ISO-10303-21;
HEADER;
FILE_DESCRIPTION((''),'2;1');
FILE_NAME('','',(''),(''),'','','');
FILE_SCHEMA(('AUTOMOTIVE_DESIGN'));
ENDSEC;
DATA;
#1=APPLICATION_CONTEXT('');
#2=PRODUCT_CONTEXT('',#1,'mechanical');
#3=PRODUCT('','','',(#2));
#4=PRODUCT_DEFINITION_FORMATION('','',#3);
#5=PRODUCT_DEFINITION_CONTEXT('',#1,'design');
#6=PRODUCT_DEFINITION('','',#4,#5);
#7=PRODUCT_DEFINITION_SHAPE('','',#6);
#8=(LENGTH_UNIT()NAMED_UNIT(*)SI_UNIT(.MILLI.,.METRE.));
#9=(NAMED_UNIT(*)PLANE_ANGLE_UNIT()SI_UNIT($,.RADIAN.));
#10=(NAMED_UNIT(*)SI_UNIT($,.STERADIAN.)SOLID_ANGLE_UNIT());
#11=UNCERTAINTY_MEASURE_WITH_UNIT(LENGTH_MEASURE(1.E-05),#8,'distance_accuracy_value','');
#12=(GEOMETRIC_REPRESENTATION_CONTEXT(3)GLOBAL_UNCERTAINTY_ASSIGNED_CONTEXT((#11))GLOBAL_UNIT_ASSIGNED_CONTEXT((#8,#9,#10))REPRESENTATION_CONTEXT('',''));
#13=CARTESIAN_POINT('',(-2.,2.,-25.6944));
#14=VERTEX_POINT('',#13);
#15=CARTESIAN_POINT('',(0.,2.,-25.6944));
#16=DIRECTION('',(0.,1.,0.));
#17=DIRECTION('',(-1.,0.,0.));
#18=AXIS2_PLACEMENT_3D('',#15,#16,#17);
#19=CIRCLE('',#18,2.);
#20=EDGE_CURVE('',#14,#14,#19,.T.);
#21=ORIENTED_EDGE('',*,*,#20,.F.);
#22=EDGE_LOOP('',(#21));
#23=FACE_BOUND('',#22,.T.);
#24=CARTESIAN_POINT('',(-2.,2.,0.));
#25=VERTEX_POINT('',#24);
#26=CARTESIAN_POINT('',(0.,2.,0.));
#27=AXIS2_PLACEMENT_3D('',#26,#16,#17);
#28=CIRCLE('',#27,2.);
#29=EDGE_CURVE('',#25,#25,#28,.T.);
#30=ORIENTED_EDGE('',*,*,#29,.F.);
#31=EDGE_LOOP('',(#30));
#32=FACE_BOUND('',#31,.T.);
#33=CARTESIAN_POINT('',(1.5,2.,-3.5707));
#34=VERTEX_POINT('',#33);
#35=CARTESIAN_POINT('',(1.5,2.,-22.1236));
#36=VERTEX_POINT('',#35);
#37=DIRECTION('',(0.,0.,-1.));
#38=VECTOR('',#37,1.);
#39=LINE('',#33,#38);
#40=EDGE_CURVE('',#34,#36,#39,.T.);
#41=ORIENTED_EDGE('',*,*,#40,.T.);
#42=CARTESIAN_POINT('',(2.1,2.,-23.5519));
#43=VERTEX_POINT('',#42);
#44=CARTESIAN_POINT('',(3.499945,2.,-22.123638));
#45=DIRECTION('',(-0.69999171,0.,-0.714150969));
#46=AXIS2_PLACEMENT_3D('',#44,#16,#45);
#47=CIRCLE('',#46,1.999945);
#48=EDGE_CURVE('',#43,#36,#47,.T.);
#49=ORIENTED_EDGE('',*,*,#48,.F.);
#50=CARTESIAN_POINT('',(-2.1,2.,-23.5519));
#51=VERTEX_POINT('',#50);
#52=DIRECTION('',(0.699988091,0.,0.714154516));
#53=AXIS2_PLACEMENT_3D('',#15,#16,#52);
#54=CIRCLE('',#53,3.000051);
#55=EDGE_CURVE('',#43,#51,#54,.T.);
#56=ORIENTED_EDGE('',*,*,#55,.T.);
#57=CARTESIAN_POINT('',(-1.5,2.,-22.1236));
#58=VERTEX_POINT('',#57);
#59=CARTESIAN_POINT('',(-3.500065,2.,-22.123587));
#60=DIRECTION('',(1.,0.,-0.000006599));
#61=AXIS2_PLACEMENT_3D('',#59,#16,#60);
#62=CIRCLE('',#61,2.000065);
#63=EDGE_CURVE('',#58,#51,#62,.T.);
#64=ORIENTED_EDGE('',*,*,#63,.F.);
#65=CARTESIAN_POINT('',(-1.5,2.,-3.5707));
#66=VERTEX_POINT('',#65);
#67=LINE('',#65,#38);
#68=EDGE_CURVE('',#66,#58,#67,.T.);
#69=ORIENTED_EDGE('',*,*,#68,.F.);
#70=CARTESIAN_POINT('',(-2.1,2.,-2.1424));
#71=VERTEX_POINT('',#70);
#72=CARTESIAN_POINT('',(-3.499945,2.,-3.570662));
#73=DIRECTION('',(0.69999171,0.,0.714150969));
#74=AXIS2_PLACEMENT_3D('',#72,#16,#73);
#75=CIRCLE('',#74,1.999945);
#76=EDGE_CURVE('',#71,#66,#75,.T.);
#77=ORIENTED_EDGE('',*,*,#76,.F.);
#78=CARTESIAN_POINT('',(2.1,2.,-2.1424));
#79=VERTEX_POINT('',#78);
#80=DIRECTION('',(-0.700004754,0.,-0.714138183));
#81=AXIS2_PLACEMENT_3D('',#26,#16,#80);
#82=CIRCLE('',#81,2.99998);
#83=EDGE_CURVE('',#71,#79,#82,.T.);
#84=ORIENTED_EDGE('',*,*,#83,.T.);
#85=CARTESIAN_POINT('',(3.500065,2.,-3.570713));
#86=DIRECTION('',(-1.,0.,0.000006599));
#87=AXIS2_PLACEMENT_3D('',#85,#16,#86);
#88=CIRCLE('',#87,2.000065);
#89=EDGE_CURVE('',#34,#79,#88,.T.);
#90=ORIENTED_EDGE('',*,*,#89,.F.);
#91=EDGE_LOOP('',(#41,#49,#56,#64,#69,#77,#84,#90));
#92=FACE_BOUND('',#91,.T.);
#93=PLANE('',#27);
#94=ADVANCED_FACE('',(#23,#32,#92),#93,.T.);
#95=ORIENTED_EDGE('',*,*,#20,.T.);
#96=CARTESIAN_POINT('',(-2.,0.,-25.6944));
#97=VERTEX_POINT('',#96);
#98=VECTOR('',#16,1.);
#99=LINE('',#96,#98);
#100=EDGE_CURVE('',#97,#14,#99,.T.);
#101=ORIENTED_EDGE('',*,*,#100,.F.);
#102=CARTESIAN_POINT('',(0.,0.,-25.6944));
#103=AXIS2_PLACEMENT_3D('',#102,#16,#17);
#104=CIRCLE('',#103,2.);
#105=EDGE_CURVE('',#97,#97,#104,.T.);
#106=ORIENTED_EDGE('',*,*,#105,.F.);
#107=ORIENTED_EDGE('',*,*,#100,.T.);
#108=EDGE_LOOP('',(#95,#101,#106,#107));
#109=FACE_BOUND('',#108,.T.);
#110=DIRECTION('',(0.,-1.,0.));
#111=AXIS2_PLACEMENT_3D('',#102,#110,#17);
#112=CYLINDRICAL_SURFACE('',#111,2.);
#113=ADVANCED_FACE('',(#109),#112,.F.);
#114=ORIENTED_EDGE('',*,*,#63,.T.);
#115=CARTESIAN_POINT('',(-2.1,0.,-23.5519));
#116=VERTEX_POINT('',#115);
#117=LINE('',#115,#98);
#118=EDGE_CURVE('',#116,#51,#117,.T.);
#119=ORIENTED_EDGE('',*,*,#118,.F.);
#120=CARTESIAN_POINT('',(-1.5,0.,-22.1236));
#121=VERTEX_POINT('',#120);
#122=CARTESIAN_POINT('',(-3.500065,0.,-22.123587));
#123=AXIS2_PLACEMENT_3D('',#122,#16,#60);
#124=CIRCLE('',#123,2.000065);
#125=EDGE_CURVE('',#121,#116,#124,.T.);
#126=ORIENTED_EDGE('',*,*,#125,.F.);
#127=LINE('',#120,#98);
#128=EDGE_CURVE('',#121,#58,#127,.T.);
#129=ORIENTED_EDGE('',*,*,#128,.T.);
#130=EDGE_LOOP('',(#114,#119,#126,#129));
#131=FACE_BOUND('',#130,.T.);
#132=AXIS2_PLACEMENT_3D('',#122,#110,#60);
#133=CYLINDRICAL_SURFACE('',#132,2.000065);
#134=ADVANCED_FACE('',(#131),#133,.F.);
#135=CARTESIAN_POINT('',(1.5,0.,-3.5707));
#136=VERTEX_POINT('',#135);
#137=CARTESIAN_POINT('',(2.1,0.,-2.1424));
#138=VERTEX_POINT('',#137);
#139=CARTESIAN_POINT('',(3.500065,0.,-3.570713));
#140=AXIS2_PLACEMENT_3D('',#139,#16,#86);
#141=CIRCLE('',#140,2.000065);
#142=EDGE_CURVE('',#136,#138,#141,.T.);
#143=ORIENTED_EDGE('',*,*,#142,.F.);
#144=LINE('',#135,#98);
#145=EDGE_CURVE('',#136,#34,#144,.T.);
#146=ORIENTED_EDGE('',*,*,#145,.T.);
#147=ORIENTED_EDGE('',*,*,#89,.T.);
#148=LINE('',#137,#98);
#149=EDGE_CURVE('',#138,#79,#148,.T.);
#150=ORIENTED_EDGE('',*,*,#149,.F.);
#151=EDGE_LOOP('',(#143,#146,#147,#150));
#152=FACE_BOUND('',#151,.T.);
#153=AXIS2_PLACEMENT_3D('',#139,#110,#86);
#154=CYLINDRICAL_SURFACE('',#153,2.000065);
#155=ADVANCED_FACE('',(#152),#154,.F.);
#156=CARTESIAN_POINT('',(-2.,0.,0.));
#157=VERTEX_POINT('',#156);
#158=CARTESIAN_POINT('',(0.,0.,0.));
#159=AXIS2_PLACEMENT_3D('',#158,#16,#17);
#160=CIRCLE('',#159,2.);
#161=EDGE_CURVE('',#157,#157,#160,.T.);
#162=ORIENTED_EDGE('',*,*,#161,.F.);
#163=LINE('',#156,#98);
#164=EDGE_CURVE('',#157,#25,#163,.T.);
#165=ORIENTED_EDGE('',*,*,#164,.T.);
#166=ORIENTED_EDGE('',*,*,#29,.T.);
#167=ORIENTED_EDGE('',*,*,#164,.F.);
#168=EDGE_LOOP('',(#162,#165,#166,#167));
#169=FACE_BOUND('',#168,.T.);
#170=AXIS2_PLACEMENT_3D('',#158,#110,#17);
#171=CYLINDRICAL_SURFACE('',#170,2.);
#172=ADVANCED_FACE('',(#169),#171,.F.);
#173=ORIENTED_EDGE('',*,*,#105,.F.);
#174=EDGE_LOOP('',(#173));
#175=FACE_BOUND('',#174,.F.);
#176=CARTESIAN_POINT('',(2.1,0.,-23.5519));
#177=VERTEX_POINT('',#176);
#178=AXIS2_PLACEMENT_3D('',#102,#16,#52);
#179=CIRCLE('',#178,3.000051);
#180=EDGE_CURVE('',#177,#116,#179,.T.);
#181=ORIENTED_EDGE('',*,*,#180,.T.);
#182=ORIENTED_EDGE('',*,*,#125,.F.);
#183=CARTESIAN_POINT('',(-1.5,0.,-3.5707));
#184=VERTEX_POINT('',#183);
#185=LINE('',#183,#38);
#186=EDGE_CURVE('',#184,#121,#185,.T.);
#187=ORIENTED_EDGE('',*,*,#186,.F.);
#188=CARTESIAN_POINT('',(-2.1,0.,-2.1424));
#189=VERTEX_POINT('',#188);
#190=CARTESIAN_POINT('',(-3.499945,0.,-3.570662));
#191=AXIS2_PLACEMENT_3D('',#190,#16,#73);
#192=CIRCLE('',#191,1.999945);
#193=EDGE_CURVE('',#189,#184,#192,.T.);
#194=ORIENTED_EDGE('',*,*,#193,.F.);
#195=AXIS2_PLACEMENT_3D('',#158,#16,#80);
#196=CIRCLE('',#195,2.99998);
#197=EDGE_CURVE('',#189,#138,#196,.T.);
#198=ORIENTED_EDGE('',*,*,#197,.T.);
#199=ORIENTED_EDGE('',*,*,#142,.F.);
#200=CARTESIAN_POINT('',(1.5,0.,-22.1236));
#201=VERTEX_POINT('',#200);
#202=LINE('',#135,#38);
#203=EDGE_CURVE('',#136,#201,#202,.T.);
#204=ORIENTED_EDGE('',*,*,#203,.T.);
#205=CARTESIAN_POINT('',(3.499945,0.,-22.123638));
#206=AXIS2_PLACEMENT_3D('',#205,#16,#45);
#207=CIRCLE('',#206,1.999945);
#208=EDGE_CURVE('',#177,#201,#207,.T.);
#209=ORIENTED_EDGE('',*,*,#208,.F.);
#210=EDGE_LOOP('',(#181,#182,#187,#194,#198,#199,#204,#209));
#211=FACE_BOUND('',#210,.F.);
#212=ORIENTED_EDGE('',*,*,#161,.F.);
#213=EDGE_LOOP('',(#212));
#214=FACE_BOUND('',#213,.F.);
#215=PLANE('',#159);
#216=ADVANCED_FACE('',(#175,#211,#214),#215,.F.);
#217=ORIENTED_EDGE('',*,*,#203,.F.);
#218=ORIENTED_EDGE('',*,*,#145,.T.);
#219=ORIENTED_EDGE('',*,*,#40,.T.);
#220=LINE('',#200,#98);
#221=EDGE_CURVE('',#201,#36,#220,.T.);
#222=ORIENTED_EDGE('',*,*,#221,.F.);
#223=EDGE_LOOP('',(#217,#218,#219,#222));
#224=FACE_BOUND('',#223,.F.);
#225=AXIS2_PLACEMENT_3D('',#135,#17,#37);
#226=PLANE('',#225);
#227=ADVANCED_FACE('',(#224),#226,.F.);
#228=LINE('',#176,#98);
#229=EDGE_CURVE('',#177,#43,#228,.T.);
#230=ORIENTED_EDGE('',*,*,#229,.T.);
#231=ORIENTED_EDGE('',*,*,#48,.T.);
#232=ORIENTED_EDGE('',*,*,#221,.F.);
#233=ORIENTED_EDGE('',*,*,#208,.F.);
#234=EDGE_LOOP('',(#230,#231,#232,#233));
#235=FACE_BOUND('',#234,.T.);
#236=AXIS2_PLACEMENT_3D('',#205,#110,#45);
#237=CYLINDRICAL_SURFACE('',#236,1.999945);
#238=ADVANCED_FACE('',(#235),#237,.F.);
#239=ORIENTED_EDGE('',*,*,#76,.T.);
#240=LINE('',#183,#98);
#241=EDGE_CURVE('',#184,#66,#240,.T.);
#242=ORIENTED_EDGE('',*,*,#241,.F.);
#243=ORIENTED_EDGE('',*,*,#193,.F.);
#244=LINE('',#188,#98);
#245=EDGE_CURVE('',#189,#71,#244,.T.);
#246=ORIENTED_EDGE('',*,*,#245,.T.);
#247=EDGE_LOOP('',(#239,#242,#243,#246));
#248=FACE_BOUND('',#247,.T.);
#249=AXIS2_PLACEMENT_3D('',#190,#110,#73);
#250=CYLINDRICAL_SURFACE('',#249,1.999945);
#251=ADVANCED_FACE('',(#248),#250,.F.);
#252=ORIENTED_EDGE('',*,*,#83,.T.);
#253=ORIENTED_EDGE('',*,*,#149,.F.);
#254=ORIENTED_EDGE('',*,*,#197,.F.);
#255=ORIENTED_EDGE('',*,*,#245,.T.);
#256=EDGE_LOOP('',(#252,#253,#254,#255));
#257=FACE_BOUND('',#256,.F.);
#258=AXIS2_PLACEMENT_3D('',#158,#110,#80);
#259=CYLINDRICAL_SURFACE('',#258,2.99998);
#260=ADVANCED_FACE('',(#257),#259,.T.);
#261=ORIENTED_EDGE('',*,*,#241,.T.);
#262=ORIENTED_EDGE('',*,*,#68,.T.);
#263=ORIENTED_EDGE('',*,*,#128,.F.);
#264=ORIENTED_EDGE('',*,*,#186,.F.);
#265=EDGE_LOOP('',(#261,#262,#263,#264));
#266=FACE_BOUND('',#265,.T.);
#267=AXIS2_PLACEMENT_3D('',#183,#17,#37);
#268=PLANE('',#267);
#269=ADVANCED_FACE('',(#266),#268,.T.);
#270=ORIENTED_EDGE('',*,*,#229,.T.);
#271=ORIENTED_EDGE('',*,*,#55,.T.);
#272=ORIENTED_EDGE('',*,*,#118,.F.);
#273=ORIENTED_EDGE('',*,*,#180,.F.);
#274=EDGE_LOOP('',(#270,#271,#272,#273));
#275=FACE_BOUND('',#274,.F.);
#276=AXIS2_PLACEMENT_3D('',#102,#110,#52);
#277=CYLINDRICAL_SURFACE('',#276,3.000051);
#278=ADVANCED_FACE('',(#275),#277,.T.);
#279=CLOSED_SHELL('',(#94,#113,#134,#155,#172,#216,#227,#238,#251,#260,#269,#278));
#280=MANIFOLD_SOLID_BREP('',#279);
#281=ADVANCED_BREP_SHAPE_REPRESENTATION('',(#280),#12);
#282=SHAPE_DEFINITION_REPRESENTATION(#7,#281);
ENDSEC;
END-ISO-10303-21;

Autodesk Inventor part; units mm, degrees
ref_plane "YZ Plane" through (0, 0, 0) normal (1, 0, 0) x (0, 1, 0)
ref_plane "XZ Plane" through (0, 0, 0) normal (0, 1, 0) x (-1, 0, 0)
ref_plane "XY Plane" through (0, 0, 0) normal (0, 0, 1) x (1, 0, 0)
sketch "Sketch1" plane through (0, 0, 0) normal (0, 1, 0) x (-1, 0, 0)
  circle A0 centre (0, 0) radius 2
  arc A1 (2.1, -2.1424) -> (-2.1, -2.1424) centre (0, 0) ccw
  circle A2 centre (0, -25.6944) radius 2
  arc A3 (-2.1, -23.5519) -> (2.1, -23.5519) centre (0, -25.6944) ccw
  line L0 (1.5, -3.5707) -> (1.5, -22.1236)
  line L1 (-1.5, -3.5707) -> (-1.5, -22.1236)
  line L2 (0, 0) -> (0, -25.6944) construction
  arc A4 (2.1, -2.1424) -> (1.5, -3.5707) centre (3.5, -3.5707) ccw
  arc A5 (-1.5, -3.5707) -> (-2.1, -2.1424) centre (-3.5, -3.5707) ccw
  arc A6 (-2.1, -23.5519) -> (-1.5, -22.1236) centre (-3.5, -22.1236) ccw
  arc A7 (1.5, -22.1236) -> (2.1, -23.5519) centre (3.5, -22.1236) ccw
  point P0 (1.5, -2.5981)
  point P1 (-1.5, -23.0963)
  point P2 (-1.5, -2.5981)
  point P3 (1.5, -23.0963)
  dimension "d0" = 4
  dimension "d1" = 6
  dimension "d2" = 25.6944
  dimension "d3" = 4
  dimension "d4" = 6
  dimension "d5" = 3
  dimension "d6" = 2
extrude "Extrusion1" add sketch "Sketch1" along normal blind 2
equation "\"d2\" = length"
equation "\"d3\" = d0"
equation "\"d4\" = d1"
equation "\"length\" = 25.69436"
properties part number "dip_pip_tendon"
